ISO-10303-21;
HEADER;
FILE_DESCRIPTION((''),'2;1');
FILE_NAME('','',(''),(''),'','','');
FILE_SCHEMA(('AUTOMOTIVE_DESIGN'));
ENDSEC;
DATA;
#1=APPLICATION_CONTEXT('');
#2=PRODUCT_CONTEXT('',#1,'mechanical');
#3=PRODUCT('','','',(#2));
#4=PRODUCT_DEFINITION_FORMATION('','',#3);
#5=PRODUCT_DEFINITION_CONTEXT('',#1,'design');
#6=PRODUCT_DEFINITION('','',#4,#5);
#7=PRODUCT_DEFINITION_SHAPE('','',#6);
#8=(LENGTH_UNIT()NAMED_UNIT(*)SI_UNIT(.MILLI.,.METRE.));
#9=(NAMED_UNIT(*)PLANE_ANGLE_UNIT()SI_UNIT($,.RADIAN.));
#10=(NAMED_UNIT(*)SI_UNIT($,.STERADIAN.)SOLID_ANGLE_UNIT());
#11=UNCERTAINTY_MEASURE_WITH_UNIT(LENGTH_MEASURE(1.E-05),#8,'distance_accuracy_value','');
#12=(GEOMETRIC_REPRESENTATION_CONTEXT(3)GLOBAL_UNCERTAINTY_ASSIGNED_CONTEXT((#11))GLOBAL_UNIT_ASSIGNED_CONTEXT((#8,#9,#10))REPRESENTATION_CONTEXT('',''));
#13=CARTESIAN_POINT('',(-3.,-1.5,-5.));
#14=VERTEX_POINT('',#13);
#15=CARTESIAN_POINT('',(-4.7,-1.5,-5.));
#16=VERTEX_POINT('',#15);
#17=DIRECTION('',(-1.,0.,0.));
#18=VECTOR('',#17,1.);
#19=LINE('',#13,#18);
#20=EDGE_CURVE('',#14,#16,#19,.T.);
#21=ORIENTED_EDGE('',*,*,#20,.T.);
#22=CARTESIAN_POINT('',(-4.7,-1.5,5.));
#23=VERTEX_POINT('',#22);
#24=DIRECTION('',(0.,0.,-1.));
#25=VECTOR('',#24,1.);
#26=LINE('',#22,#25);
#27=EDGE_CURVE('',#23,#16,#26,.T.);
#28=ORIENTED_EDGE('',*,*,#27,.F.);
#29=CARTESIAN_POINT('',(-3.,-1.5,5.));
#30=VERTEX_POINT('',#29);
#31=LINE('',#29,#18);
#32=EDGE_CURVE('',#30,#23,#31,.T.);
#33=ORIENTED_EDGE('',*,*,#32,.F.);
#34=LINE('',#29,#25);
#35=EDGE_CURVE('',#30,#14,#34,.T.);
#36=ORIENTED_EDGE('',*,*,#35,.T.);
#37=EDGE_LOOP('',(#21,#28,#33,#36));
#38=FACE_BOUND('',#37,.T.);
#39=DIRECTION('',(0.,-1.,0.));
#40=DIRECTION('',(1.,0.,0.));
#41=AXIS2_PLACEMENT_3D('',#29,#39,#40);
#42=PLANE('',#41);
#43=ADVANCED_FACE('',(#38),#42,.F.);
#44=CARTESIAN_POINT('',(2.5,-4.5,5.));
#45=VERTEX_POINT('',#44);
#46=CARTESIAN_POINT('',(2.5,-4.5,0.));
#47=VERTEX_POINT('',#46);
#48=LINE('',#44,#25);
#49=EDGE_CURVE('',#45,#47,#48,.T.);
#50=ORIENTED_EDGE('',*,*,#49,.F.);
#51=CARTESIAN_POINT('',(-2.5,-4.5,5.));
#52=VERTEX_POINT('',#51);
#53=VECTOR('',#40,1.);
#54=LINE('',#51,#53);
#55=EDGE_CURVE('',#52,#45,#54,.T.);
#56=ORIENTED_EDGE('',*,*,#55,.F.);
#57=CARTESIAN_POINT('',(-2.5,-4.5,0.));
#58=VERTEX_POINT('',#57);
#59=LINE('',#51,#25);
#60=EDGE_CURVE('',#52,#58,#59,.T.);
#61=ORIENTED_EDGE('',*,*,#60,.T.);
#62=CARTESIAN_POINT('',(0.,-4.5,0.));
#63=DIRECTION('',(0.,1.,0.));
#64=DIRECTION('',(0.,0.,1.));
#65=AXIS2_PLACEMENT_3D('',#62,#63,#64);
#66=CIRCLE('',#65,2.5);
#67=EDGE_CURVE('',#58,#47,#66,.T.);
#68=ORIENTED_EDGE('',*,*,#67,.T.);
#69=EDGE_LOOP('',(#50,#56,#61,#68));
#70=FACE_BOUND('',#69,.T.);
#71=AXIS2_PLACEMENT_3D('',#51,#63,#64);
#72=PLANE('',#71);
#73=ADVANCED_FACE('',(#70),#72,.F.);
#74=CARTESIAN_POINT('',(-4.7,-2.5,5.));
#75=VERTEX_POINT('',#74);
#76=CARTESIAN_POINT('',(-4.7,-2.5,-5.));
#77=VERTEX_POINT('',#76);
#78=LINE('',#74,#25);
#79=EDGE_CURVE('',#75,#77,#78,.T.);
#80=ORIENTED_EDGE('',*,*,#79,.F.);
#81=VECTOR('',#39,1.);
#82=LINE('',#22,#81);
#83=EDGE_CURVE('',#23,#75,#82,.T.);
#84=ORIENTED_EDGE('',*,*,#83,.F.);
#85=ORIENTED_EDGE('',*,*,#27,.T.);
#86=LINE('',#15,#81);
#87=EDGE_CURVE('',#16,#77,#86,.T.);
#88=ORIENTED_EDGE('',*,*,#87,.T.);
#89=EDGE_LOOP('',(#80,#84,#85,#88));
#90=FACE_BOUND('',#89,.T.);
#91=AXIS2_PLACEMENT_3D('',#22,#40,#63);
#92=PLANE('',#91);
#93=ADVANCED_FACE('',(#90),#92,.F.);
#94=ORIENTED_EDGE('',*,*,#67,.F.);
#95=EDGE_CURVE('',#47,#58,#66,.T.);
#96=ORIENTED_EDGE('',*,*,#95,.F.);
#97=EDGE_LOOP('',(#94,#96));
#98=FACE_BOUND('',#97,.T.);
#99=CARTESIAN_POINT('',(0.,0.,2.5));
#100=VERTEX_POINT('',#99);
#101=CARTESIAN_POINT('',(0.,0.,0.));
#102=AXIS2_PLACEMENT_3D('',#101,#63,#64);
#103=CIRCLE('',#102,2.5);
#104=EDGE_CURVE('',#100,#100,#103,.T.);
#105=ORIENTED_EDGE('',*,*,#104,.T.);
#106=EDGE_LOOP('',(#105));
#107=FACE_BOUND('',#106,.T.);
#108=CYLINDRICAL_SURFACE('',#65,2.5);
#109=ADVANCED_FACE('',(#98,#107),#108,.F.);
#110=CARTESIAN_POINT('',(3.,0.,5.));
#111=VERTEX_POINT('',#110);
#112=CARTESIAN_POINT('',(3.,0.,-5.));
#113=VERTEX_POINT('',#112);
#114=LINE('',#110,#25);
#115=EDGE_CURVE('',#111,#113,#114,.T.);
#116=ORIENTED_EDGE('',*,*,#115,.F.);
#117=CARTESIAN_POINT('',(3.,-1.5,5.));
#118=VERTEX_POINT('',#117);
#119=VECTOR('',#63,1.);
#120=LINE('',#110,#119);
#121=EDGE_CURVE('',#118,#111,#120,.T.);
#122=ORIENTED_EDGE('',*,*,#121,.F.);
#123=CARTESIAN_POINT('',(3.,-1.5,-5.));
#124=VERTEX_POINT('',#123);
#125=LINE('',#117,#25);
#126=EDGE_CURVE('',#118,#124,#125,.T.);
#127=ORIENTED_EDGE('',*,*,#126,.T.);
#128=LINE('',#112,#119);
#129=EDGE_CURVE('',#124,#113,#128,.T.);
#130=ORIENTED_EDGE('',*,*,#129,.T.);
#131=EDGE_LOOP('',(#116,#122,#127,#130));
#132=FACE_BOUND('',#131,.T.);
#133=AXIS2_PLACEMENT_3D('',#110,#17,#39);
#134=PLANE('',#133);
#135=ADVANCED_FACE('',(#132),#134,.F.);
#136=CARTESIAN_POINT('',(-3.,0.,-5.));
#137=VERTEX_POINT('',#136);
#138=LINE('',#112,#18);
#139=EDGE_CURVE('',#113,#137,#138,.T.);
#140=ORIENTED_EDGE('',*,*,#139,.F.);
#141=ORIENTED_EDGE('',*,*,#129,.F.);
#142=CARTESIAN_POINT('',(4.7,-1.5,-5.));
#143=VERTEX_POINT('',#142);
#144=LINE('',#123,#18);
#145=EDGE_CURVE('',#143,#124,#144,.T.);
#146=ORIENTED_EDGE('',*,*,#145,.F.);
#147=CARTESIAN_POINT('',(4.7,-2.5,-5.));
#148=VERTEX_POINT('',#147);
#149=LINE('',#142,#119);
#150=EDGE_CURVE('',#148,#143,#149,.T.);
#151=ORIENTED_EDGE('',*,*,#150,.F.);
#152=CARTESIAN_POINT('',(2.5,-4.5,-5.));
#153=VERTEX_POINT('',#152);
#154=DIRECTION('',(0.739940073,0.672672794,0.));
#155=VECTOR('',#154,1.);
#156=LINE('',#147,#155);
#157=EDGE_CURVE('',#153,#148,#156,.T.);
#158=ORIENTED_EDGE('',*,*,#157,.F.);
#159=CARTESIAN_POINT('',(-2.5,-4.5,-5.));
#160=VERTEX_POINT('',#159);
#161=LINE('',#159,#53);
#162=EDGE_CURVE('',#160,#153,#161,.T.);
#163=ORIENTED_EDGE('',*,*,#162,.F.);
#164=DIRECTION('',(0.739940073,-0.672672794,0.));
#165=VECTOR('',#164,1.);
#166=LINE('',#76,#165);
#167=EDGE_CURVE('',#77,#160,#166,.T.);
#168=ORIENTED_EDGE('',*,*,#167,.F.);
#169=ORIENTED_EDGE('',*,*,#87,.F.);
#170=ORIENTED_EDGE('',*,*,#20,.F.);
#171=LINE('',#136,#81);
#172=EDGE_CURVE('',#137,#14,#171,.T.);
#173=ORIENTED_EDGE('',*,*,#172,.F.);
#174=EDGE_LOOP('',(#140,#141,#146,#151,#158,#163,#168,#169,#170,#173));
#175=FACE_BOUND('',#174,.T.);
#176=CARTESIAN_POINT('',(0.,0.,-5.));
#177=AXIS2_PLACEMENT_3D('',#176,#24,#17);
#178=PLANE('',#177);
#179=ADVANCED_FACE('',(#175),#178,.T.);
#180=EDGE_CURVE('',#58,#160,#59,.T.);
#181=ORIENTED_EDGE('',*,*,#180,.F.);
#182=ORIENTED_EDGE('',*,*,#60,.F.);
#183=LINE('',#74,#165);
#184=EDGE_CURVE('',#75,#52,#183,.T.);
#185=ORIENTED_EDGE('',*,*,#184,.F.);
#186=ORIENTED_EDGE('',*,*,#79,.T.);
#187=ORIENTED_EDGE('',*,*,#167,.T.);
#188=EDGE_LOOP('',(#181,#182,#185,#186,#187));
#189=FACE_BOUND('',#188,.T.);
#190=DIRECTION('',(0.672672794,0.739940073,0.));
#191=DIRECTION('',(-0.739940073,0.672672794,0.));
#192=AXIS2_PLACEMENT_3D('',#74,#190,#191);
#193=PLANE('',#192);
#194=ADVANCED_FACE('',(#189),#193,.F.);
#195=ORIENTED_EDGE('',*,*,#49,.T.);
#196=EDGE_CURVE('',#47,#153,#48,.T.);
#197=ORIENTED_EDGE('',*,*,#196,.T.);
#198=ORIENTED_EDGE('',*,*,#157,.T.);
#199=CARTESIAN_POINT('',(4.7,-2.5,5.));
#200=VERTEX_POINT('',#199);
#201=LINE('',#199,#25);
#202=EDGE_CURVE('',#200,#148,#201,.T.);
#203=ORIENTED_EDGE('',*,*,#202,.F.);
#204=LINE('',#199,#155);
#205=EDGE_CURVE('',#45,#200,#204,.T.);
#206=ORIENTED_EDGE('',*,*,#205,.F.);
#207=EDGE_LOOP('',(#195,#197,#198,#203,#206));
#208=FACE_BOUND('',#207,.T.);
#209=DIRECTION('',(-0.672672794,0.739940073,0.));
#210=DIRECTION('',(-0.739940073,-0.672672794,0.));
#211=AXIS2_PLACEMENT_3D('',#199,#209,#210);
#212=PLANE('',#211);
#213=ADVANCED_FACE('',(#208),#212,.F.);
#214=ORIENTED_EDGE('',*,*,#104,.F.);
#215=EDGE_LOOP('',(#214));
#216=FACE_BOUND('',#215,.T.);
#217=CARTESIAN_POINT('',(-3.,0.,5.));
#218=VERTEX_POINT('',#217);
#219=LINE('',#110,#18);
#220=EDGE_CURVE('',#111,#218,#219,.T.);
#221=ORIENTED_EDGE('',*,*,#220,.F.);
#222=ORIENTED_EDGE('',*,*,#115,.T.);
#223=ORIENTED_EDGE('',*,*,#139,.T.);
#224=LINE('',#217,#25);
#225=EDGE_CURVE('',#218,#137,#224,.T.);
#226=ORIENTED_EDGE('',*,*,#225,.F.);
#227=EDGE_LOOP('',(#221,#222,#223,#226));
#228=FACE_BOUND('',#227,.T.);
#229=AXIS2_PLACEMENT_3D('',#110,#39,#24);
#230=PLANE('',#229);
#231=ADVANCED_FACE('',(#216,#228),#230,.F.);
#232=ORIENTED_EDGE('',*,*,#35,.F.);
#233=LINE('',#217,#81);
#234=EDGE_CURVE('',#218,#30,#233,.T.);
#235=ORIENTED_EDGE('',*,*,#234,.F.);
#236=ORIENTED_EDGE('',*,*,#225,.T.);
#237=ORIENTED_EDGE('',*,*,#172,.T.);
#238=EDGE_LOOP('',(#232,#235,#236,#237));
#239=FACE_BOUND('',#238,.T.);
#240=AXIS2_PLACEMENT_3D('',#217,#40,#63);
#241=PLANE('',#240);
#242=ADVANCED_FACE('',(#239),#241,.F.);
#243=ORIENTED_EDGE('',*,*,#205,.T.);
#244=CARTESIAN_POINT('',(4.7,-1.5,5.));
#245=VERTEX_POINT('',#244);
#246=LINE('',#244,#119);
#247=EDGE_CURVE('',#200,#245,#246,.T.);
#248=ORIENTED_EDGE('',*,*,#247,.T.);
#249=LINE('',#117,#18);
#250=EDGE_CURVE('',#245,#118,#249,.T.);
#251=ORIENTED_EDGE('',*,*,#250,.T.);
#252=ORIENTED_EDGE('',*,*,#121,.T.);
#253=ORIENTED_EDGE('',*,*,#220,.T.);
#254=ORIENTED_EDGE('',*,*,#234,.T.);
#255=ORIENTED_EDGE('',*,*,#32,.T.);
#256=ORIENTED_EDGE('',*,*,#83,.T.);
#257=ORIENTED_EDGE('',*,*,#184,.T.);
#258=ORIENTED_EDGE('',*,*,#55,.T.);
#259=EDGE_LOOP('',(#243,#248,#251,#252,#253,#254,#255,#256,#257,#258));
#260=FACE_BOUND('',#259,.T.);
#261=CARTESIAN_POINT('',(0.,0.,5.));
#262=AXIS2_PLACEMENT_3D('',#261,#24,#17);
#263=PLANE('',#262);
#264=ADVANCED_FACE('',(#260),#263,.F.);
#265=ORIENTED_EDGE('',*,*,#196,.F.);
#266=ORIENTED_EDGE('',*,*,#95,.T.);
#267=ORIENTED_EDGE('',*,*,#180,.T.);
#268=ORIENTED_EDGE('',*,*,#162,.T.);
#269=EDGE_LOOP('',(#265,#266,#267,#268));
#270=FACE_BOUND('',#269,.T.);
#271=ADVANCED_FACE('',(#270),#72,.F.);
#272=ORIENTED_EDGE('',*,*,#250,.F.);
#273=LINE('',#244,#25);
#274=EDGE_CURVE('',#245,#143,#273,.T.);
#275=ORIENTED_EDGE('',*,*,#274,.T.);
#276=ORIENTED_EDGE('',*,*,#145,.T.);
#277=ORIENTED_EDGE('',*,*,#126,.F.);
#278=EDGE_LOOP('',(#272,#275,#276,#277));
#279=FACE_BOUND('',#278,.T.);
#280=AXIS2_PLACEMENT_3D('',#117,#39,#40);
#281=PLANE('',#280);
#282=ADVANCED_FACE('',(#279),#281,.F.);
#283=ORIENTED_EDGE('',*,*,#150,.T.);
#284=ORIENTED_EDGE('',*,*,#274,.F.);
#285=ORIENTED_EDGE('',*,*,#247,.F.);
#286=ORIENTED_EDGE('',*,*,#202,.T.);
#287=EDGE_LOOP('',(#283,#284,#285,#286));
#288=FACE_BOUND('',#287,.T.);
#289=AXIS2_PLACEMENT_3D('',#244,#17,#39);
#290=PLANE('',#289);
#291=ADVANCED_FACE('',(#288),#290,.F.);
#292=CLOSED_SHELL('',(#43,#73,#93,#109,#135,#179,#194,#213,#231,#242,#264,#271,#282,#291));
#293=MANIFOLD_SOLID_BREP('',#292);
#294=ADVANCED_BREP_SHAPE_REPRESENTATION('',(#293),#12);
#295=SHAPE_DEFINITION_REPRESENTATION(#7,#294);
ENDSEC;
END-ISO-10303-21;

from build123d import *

# Parameters (mm, degrees)
EXTRUDE_1_DEPTH     = 5
SKETCH_2_R          = 2.5
CUT_EXTRUDE_1_DEPTH = 5.5


with BuildPart() as part:
    # Эскиз1 → Бобышка-Вытянуть1 (new body, symmetric)
    with BuildSketch(Plane.XY):
        Polygon((3, 0), (-3, 0), (-3, -1.5), (-4.7, -1.5), (-4.7, -2.5), (-2.5, -4.5), (2.5, -4.5), (4.7, -2.5), (4.7, -1.5), (3, -1.5), align=None)
    extrude(amount=EXTRUDE_1_DEPTH, both=True)

    # Эскиз2 → Вырез-Вытянуть1 (cut, through all)
    with BuildSketch(Plane(origin=(0, 0, 0), x_dir=(1, 0, 0), z_dir=(0, 1, 0))):
        with Locations(Location((0, 0, 0), (0, 0, 270))):  # turned: the seam where the file's is
            Circle(SKETCH_2_R)
    extrude(amount=-CUT_EXTRUDE_1_DEPTH, mode=Mode.SUBTRACT)


solid = part.part
